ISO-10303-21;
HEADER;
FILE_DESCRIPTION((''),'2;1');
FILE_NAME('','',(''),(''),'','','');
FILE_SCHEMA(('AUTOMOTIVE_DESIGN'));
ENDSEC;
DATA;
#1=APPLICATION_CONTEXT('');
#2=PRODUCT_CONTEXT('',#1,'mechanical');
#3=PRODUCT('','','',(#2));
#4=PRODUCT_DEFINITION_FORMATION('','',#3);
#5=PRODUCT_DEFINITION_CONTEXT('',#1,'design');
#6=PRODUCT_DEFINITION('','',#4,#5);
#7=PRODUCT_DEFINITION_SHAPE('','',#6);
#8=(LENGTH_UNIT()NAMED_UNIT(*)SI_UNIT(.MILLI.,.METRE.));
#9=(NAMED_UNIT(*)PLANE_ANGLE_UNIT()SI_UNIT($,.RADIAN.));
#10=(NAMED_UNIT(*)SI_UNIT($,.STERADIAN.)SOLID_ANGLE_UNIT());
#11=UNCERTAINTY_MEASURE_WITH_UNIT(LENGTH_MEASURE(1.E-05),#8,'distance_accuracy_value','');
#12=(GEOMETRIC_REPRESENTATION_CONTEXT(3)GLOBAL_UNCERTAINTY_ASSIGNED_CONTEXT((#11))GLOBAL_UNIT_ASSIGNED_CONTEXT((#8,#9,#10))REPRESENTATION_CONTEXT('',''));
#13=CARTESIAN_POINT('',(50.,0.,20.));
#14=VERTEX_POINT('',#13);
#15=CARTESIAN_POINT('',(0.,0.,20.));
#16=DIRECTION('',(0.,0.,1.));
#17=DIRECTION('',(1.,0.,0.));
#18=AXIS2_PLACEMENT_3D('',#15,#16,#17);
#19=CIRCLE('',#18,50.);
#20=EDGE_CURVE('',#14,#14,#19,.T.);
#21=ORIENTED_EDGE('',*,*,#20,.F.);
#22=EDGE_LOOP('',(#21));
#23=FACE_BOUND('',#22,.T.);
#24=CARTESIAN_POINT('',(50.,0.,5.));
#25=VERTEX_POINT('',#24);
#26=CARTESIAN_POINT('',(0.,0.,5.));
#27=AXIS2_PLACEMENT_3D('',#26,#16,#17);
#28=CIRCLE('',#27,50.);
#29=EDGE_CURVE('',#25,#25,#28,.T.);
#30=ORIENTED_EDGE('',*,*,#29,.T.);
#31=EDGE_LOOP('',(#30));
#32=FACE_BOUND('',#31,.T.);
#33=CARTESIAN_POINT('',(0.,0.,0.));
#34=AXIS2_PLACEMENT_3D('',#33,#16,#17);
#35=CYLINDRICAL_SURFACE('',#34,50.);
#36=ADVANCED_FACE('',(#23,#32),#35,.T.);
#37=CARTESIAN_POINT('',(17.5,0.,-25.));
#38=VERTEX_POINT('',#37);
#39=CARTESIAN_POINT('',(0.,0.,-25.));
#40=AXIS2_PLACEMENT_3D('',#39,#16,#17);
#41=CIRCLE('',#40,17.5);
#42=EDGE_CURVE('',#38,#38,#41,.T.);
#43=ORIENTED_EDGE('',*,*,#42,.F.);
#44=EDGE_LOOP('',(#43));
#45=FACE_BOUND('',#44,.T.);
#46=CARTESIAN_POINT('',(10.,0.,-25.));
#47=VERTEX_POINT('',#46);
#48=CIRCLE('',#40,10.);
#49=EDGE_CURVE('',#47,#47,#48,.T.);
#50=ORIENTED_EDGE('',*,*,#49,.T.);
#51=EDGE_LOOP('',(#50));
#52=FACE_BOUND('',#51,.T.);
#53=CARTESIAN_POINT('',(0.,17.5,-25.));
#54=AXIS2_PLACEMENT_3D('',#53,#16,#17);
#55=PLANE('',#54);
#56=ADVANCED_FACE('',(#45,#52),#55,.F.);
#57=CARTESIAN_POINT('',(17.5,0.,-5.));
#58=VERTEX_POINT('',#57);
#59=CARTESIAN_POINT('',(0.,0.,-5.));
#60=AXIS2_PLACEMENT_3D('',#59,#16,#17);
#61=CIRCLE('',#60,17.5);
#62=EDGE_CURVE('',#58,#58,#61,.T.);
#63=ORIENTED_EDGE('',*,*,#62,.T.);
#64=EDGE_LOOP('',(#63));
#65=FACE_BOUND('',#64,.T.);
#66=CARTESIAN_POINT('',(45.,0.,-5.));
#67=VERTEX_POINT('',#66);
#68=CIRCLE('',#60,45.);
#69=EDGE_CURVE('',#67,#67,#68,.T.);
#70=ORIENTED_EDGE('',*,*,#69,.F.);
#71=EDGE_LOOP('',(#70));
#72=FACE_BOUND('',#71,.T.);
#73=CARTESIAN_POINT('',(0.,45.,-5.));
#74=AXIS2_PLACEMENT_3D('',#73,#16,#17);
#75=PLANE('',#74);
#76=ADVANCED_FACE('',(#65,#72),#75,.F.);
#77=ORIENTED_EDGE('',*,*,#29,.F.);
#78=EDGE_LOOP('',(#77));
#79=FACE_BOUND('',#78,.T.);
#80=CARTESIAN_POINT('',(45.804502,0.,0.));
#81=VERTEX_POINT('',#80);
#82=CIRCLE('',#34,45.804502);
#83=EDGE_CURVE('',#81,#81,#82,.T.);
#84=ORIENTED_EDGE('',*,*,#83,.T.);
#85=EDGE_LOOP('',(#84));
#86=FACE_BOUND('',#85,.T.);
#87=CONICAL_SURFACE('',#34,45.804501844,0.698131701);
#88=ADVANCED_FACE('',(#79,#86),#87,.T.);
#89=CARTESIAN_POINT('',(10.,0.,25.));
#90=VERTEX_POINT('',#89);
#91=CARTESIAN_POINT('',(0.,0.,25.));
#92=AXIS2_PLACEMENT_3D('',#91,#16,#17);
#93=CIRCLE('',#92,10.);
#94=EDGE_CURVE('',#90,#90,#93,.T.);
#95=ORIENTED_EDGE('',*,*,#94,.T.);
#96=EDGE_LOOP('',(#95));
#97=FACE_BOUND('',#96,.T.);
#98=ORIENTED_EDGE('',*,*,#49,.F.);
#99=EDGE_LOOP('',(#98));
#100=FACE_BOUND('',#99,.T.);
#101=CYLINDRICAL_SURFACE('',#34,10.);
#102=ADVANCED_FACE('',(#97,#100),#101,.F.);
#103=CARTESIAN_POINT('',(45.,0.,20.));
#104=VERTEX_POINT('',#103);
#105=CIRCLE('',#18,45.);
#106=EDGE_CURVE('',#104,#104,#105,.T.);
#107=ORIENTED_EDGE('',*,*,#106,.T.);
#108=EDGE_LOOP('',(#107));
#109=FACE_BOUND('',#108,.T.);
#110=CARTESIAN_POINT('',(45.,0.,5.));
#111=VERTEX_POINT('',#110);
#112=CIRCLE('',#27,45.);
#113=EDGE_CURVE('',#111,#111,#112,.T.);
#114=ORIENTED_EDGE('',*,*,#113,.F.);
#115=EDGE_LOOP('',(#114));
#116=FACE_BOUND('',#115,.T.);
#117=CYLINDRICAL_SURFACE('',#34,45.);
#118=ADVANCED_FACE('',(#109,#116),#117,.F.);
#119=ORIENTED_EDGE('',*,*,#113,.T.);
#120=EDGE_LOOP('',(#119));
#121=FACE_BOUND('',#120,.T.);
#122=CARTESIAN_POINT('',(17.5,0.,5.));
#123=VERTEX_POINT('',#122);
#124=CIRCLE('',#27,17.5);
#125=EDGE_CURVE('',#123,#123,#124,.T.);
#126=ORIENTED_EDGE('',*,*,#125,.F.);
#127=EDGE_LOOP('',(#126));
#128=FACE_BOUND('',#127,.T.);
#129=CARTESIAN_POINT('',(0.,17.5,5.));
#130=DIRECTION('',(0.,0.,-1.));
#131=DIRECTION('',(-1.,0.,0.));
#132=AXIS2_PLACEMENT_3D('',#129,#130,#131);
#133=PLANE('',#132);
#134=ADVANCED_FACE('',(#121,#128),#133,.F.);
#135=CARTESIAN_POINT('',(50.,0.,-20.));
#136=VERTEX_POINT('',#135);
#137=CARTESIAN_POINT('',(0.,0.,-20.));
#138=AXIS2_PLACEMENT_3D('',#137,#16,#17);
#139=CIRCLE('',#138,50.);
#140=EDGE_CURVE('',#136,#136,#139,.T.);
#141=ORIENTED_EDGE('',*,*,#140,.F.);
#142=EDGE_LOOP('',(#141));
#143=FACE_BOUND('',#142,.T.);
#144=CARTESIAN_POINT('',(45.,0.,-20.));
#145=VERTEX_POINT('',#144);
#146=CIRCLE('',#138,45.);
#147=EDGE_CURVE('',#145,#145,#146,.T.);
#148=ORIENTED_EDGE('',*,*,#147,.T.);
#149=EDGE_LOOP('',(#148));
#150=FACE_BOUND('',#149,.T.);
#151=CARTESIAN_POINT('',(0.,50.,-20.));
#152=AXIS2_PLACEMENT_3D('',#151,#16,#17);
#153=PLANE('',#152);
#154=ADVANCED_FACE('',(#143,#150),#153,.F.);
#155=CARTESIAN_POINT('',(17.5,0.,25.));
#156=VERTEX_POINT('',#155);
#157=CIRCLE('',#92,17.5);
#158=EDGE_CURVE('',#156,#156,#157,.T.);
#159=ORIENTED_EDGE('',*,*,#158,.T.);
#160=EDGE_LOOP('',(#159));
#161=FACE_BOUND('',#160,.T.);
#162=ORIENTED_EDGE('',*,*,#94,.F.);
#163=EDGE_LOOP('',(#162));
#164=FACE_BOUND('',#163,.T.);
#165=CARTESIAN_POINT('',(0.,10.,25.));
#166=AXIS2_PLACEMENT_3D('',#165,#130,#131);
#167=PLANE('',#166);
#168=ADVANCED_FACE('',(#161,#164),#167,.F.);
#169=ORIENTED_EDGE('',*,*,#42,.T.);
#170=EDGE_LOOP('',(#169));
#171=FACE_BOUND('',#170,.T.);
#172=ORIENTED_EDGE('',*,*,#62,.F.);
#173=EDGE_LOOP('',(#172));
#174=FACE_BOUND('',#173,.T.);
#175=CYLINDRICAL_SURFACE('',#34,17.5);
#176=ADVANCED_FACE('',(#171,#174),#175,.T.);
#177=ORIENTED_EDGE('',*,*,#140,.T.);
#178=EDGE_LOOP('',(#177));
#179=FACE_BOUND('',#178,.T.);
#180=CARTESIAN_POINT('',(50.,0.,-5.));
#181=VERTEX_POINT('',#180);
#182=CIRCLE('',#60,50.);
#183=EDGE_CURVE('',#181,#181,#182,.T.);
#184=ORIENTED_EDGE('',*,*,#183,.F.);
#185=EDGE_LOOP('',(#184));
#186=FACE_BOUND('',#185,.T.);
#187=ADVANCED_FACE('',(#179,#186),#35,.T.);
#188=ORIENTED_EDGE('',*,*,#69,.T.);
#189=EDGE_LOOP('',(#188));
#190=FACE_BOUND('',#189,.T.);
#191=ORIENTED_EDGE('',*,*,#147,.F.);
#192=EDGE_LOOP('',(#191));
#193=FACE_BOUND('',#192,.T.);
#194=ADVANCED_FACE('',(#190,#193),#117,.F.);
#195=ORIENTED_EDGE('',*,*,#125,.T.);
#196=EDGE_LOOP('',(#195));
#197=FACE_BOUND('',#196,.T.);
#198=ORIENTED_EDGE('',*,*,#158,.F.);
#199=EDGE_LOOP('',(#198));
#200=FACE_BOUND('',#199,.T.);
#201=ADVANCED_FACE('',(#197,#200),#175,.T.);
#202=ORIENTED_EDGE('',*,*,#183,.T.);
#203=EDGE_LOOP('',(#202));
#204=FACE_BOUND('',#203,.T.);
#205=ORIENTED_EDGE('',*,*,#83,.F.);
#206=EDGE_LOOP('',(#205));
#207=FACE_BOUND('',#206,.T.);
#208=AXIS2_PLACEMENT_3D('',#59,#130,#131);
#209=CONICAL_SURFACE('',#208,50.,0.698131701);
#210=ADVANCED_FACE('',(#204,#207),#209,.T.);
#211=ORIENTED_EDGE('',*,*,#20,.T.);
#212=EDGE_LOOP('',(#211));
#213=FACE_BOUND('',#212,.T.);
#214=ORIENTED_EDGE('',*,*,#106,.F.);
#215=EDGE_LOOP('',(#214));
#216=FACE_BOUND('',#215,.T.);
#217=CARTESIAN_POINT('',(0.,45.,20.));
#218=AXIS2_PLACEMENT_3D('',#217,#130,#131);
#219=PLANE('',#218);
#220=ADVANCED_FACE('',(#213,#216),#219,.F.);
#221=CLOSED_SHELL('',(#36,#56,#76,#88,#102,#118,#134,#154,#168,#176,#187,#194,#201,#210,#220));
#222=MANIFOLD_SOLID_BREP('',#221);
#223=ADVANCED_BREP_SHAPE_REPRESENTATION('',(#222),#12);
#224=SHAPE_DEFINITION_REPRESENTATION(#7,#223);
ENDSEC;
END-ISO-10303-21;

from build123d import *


with BuildPart() as part:
    # Croquis1 → Revolución3 (revolve)
    with BuildSketch(Plane(origin=(0, 0, 0), x_dir=(0, 0, -1), z_dir=(1, 0, 0)), mode=Mode.PRIVATE) as revoluci_n3_sk:
        Polygon((25, 10), (-25, 10), (-25, 17.5), (-5, 17.5), (-5, 45), (-20, 45), (-20, 50), (-5, 50), (0, 45.804501844), (5, 50), (20, 50), (20, 45), (5, 45), (5, 17.5), (25, 17.5), align=None)
    revolve(revoluci_n3_sk.sketch.rotate(Axis((0, 0, 0), (0, 0, -1)), 90), axis=Axis((0, 0, 0), (0, 0, -1)))


solid = part.part
